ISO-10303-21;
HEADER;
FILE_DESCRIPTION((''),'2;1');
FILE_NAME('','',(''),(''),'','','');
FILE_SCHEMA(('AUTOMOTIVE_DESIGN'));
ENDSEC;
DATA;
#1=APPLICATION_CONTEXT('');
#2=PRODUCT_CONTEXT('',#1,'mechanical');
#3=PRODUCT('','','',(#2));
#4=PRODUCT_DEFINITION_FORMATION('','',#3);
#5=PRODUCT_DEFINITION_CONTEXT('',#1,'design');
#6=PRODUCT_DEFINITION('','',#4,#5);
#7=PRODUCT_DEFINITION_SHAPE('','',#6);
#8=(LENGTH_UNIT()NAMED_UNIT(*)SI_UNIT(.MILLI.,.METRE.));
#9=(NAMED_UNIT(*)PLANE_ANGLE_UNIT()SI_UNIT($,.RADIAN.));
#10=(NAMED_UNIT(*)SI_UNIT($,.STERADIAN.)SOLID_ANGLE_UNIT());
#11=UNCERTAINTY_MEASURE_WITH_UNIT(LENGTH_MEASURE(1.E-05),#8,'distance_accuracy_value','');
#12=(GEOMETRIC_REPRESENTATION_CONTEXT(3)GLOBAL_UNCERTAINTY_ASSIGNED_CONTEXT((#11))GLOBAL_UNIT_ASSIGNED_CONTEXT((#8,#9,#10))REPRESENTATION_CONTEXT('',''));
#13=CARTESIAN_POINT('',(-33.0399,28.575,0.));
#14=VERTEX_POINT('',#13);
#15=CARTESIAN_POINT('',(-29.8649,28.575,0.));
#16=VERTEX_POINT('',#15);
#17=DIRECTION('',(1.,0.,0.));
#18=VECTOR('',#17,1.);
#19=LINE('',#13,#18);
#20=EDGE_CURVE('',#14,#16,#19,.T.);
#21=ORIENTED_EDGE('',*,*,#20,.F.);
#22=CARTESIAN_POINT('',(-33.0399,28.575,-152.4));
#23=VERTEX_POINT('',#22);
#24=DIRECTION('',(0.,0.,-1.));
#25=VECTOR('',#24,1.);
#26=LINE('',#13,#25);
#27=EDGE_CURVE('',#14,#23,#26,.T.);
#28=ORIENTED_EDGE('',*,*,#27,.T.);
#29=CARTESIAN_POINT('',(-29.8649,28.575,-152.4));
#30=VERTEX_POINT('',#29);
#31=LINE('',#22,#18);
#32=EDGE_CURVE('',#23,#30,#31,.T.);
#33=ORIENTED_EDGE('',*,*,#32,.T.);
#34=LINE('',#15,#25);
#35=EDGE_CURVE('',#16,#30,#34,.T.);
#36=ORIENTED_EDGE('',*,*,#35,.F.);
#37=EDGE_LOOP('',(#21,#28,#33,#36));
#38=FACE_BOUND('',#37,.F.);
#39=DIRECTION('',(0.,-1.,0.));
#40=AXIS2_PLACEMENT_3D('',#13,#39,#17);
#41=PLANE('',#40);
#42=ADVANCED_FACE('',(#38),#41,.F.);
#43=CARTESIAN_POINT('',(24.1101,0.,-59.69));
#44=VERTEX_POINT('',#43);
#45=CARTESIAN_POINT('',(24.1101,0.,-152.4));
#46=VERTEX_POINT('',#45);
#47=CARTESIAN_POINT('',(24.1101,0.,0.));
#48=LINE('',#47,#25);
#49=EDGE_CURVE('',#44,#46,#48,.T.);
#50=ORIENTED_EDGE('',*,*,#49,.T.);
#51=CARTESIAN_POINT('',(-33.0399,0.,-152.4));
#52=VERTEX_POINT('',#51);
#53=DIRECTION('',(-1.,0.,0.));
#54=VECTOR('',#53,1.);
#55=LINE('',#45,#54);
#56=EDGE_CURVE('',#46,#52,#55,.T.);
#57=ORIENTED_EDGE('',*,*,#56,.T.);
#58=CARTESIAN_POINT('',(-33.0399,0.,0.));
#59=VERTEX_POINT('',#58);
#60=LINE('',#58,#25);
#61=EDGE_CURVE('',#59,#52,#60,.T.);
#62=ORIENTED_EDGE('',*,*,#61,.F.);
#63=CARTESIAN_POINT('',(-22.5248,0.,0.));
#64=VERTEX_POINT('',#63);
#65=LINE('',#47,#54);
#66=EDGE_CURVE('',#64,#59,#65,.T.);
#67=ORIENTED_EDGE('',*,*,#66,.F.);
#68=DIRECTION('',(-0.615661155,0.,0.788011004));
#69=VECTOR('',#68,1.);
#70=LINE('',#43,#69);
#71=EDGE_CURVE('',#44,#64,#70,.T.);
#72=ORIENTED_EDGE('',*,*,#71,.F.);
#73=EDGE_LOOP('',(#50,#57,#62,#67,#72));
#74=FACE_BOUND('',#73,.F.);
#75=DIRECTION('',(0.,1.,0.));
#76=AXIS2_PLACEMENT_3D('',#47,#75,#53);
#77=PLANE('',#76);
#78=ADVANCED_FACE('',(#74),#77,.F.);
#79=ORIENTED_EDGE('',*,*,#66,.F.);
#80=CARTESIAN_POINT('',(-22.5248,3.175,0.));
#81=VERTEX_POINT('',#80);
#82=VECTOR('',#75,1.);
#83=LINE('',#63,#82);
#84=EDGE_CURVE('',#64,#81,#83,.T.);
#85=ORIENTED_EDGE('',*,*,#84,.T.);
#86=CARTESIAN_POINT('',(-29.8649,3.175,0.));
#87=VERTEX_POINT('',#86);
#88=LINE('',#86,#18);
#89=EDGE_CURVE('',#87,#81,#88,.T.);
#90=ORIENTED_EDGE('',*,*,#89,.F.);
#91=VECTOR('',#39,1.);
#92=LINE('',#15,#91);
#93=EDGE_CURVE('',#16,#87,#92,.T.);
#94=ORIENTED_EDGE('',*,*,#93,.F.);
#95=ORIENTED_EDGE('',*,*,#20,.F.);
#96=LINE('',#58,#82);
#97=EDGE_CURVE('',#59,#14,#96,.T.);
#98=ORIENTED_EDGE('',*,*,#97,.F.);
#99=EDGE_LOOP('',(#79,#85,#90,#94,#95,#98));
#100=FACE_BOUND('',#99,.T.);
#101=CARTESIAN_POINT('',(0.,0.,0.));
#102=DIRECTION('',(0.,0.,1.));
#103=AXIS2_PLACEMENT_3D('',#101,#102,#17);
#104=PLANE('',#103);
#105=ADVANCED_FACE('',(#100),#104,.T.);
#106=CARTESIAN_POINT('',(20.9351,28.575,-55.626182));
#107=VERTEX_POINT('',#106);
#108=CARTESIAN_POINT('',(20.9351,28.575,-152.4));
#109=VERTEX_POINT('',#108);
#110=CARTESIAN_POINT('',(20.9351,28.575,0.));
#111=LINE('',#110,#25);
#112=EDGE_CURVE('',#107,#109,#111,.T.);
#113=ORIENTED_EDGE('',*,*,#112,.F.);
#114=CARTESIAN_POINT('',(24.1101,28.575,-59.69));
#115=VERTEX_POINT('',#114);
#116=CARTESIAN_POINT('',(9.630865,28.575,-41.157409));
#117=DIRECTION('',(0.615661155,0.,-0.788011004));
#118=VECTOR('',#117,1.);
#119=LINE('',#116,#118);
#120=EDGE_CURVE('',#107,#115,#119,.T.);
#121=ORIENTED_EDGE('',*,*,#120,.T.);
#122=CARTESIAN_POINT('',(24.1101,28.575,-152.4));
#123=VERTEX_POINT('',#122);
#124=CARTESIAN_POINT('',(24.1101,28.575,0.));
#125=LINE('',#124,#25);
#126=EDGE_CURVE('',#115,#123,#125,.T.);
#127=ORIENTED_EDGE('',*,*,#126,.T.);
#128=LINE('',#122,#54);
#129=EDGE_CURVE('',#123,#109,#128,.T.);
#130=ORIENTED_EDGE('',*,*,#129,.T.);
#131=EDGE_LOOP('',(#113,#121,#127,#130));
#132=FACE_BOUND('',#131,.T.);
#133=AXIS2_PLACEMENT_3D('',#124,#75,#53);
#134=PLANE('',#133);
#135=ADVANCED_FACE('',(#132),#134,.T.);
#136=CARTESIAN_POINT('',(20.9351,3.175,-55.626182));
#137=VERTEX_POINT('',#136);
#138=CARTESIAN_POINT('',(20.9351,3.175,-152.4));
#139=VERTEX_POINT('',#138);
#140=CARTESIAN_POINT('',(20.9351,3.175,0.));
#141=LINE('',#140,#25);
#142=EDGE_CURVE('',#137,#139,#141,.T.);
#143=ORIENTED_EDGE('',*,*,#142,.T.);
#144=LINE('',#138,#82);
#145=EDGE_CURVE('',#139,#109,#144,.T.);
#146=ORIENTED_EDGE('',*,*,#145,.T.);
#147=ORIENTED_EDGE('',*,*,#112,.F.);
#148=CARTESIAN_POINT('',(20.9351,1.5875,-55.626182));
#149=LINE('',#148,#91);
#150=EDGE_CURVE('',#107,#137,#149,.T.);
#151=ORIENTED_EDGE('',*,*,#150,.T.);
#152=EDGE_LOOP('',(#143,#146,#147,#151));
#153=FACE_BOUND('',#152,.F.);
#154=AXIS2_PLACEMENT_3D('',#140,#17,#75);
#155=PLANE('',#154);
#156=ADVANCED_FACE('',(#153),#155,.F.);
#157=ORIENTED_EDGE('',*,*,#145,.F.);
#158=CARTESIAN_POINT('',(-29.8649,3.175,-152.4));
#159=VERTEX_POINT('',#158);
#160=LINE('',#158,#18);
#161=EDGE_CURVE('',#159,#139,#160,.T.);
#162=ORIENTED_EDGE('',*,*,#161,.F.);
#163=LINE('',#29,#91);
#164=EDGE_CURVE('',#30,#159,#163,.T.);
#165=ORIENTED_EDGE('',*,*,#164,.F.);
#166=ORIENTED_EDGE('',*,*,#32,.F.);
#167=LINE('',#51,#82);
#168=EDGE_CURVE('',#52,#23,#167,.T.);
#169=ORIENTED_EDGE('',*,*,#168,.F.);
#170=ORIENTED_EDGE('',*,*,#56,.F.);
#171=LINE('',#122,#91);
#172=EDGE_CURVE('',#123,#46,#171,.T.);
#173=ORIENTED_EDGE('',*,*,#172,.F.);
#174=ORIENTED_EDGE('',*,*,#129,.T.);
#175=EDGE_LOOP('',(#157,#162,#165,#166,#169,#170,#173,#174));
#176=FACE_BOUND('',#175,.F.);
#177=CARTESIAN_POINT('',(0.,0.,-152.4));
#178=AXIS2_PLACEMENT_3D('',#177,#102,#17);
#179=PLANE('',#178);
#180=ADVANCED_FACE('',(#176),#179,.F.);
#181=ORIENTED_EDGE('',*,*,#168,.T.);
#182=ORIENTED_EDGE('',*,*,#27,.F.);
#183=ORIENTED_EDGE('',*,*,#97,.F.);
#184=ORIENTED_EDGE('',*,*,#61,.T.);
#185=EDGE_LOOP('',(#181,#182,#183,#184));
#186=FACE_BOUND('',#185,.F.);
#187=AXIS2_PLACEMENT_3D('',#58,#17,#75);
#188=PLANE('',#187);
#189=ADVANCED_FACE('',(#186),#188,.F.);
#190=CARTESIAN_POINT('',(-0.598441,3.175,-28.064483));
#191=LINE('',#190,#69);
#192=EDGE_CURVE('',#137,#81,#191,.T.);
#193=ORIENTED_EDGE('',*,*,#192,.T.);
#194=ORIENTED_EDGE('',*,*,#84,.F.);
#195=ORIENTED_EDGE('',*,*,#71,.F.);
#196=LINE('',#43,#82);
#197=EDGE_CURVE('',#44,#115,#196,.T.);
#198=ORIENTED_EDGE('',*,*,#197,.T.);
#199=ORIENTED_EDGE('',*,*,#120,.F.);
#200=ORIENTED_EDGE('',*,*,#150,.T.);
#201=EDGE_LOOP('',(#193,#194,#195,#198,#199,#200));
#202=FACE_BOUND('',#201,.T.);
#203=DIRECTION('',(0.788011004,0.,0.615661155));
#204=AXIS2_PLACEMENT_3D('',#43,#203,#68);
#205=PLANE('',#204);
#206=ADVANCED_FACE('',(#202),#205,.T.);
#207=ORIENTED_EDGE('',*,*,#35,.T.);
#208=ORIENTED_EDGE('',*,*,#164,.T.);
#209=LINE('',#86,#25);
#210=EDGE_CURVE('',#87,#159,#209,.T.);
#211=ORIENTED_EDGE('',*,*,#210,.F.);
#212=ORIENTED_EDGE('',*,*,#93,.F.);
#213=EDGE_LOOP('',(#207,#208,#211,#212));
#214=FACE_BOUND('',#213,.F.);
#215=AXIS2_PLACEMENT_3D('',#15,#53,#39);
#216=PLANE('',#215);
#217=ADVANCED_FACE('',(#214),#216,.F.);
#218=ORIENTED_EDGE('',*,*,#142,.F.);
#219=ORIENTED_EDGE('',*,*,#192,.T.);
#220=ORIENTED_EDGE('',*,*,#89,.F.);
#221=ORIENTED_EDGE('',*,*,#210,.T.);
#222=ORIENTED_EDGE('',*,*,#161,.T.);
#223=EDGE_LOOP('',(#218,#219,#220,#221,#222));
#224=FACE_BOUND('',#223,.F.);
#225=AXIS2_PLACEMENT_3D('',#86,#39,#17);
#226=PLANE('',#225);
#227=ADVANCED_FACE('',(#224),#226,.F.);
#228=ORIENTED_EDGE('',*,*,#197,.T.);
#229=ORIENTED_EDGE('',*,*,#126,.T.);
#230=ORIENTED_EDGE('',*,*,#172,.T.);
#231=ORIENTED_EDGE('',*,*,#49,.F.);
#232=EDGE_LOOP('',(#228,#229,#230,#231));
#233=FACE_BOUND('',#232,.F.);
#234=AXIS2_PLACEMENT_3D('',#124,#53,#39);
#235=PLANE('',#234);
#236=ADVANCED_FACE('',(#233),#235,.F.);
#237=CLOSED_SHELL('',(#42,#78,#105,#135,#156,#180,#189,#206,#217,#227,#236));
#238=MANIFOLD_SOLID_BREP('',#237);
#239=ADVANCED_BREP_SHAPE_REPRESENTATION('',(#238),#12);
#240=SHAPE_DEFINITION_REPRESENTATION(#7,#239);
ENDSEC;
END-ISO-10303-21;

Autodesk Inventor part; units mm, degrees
ref_plane "YZ Plane" through (0, 0, 0) normal (1, 0, 0) x (0, 1, 0)
ref_plane "XZ Plane" through (0, 0, 0) normal (0, 1, 0) x (-1, 0, 0)
ref_plane "XY Plane" through (0, 0, 0) normal (0, 0, 1) x (1, 0, 0)
sketch "Sketch1" plane through (0, 0, 0) normal (0, 0, 1) x (1, 0, 0)
  line L0 (24.1101, 28.575) -> (24.1101, 0)
  line L1 (24.1101, 0) -> (-33.0399, 0)
  line L2 (-33.0399, 0) -> (-33.0399, 28.575)
  line L3 (-29.8649, 28.575) -> (-29.8649, 3.175)
  line L4 (-29.8649, 3.175) -> (20.9351, 3.175)
  line L5 (20.9351, 3.175) -> (20.9351, 28.575)
  line L6 (-33.0399, 28.575) -> (-29.8649, 28.575)
  line L7 (24.1101, 28.575) -> (20.9351, 28.575)
  point P0 (0, 0)
  dimension "d0" = 57.15
  dimension "d1" = 28.575
  dimension "d2" = 3.175
  dimension "d18" = 28.575
extrude "Extrusion1" add sketch "Sketch1" against normal blind 152.4
sketch "Sketch5" plane through (-33.0399, 0, 0) normal (0, -1, 0) x (1, 0, 0)
  line L0 (0, 0) -> (57.15, 0) projected
  line L1 (57.15, 0) -> (57.15, -152.4) projected
  line L2 (57.15, -152.4) -> (57.15, -59.69)
  line L3 (57.15, 0) -> (57.15, -152.4) projected
  line L4 (57.15, -59.69) -> (10.5151, 0)
  line L5 (10.5151, 0) -> (57.15, 0)
  line L6 (57.15, 0) -> (57.15, -59.69)
  point P0 (33.0399, 0)
  dimension "d14" = 92.71
  dimension "d15" = 38
extrude "Extrusion4" cut sketch "Sketch5" against normal through all
properties part number "Horizontal channel right" material "Aluminum 6061"
